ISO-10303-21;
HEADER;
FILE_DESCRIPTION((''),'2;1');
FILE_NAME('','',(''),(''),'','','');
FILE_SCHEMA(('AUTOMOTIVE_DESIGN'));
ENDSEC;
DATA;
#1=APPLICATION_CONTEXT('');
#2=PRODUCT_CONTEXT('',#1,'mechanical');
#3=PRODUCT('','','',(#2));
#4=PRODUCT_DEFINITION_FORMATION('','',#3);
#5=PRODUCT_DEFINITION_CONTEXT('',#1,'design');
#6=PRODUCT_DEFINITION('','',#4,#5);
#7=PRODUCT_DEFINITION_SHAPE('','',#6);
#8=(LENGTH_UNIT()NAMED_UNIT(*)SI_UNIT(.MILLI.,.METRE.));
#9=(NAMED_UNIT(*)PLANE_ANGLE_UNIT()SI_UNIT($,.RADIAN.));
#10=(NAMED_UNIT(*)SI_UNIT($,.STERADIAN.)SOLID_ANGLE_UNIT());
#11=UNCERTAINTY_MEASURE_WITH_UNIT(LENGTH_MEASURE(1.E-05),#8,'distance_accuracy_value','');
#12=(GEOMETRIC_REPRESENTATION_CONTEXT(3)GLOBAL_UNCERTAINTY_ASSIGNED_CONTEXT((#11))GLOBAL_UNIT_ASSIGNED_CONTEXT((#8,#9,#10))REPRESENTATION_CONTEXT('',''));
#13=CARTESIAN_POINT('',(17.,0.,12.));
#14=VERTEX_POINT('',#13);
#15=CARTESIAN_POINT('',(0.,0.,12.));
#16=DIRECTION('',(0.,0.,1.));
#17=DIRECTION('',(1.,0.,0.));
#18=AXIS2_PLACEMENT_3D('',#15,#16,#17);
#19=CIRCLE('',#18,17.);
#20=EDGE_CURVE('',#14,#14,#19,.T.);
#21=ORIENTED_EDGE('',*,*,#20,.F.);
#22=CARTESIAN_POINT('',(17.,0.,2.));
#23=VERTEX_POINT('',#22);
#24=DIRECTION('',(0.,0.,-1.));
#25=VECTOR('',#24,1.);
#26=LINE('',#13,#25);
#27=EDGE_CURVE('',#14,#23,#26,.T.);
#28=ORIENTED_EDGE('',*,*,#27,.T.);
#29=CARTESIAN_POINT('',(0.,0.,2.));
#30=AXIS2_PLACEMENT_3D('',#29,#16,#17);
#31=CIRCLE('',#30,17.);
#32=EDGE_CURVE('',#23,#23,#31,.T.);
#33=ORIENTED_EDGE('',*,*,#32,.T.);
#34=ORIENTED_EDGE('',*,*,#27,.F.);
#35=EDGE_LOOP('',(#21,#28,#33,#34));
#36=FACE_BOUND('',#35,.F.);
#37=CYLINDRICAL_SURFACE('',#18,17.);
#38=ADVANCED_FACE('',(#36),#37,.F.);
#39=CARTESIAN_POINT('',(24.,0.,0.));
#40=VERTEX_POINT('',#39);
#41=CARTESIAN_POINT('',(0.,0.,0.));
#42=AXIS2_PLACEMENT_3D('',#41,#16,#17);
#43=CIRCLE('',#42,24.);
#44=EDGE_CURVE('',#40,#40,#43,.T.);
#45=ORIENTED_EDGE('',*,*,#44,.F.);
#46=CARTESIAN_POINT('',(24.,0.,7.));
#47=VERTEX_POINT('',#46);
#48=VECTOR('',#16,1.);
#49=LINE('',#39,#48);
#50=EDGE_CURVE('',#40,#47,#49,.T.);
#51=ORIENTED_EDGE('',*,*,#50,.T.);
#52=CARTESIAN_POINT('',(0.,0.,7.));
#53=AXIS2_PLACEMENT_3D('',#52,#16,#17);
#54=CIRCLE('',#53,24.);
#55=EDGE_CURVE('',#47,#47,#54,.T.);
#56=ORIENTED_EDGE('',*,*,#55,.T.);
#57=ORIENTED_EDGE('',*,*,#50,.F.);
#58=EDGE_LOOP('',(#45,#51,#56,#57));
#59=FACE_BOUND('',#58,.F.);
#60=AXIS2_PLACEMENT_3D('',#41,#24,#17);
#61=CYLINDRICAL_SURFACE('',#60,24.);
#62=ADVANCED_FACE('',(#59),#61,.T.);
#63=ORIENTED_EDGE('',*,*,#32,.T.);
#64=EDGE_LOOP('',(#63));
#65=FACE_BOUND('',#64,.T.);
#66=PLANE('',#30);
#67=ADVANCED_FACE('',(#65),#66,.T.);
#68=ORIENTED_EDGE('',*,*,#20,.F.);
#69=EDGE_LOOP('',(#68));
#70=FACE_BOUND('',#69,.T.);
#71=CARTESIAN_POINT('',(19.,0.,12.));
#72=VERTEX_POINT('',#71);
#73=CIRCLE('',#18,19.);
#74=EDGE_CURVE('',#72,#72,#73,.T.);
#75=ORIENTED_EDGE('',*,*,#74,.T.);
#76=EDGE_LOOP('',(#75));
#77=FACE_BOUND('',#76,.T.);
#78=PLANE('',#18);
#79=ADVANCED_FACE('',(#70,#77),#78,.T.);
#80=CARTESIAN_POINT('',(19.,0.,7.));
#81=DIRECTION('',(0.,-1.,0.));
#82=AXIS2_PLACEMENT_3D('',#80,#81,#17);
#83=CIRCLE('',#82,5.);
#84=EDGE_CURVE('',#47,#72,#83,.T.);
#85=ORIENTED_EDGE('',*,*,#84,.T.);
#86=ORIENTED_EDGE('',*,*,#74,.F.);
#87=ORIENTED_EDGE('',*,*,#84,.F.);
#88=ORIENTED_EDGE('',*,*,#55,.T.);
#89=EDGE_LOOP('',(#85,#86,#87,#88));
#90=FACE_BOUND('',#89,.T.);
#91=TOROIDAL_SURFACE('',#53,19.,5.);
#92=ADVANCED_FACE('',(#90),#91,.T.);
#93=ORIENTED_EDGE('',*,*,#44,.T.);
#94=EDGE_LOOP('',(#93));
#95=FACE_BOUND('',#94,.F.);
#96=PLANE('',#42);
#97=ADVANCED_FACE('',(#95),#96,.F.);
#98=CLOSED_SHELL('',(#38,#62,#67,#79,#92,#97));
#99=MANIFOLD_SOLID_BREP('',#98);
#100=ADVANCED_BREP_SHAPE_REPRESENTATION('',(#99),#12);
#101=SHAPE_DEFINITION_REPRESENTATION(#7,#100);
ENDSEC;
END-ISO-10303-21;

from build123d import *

# Parameters (mm, degrees)
F0_R     = 24
F1_DEPTH = 12
F2_R     = 5
F3_R     = 17
F4_DEPTH = 10


with BuildPart() as f1:
    # F0 (on Top) → F1 (new body)
    with BuildSketch(Plane.XY):
        Circle(F0_R)
    extrude(amount=F1_DEPTH)

    # F2
    f2_edges = [f1.edges().sort_by_distance(p)[0] for p in [
        (-24, 0, 12),
    ]]
    fillet(f2_edges, radius=F2_R)

    # F3 (on face) → F4 (cut)
    with BuildSketch(Plane.XY.offset(12)):
        Circle(F3_R)
    extrude(amount=-F4_DEPTH, mode=Mode.SUBTRACT)


solid = f1.part
